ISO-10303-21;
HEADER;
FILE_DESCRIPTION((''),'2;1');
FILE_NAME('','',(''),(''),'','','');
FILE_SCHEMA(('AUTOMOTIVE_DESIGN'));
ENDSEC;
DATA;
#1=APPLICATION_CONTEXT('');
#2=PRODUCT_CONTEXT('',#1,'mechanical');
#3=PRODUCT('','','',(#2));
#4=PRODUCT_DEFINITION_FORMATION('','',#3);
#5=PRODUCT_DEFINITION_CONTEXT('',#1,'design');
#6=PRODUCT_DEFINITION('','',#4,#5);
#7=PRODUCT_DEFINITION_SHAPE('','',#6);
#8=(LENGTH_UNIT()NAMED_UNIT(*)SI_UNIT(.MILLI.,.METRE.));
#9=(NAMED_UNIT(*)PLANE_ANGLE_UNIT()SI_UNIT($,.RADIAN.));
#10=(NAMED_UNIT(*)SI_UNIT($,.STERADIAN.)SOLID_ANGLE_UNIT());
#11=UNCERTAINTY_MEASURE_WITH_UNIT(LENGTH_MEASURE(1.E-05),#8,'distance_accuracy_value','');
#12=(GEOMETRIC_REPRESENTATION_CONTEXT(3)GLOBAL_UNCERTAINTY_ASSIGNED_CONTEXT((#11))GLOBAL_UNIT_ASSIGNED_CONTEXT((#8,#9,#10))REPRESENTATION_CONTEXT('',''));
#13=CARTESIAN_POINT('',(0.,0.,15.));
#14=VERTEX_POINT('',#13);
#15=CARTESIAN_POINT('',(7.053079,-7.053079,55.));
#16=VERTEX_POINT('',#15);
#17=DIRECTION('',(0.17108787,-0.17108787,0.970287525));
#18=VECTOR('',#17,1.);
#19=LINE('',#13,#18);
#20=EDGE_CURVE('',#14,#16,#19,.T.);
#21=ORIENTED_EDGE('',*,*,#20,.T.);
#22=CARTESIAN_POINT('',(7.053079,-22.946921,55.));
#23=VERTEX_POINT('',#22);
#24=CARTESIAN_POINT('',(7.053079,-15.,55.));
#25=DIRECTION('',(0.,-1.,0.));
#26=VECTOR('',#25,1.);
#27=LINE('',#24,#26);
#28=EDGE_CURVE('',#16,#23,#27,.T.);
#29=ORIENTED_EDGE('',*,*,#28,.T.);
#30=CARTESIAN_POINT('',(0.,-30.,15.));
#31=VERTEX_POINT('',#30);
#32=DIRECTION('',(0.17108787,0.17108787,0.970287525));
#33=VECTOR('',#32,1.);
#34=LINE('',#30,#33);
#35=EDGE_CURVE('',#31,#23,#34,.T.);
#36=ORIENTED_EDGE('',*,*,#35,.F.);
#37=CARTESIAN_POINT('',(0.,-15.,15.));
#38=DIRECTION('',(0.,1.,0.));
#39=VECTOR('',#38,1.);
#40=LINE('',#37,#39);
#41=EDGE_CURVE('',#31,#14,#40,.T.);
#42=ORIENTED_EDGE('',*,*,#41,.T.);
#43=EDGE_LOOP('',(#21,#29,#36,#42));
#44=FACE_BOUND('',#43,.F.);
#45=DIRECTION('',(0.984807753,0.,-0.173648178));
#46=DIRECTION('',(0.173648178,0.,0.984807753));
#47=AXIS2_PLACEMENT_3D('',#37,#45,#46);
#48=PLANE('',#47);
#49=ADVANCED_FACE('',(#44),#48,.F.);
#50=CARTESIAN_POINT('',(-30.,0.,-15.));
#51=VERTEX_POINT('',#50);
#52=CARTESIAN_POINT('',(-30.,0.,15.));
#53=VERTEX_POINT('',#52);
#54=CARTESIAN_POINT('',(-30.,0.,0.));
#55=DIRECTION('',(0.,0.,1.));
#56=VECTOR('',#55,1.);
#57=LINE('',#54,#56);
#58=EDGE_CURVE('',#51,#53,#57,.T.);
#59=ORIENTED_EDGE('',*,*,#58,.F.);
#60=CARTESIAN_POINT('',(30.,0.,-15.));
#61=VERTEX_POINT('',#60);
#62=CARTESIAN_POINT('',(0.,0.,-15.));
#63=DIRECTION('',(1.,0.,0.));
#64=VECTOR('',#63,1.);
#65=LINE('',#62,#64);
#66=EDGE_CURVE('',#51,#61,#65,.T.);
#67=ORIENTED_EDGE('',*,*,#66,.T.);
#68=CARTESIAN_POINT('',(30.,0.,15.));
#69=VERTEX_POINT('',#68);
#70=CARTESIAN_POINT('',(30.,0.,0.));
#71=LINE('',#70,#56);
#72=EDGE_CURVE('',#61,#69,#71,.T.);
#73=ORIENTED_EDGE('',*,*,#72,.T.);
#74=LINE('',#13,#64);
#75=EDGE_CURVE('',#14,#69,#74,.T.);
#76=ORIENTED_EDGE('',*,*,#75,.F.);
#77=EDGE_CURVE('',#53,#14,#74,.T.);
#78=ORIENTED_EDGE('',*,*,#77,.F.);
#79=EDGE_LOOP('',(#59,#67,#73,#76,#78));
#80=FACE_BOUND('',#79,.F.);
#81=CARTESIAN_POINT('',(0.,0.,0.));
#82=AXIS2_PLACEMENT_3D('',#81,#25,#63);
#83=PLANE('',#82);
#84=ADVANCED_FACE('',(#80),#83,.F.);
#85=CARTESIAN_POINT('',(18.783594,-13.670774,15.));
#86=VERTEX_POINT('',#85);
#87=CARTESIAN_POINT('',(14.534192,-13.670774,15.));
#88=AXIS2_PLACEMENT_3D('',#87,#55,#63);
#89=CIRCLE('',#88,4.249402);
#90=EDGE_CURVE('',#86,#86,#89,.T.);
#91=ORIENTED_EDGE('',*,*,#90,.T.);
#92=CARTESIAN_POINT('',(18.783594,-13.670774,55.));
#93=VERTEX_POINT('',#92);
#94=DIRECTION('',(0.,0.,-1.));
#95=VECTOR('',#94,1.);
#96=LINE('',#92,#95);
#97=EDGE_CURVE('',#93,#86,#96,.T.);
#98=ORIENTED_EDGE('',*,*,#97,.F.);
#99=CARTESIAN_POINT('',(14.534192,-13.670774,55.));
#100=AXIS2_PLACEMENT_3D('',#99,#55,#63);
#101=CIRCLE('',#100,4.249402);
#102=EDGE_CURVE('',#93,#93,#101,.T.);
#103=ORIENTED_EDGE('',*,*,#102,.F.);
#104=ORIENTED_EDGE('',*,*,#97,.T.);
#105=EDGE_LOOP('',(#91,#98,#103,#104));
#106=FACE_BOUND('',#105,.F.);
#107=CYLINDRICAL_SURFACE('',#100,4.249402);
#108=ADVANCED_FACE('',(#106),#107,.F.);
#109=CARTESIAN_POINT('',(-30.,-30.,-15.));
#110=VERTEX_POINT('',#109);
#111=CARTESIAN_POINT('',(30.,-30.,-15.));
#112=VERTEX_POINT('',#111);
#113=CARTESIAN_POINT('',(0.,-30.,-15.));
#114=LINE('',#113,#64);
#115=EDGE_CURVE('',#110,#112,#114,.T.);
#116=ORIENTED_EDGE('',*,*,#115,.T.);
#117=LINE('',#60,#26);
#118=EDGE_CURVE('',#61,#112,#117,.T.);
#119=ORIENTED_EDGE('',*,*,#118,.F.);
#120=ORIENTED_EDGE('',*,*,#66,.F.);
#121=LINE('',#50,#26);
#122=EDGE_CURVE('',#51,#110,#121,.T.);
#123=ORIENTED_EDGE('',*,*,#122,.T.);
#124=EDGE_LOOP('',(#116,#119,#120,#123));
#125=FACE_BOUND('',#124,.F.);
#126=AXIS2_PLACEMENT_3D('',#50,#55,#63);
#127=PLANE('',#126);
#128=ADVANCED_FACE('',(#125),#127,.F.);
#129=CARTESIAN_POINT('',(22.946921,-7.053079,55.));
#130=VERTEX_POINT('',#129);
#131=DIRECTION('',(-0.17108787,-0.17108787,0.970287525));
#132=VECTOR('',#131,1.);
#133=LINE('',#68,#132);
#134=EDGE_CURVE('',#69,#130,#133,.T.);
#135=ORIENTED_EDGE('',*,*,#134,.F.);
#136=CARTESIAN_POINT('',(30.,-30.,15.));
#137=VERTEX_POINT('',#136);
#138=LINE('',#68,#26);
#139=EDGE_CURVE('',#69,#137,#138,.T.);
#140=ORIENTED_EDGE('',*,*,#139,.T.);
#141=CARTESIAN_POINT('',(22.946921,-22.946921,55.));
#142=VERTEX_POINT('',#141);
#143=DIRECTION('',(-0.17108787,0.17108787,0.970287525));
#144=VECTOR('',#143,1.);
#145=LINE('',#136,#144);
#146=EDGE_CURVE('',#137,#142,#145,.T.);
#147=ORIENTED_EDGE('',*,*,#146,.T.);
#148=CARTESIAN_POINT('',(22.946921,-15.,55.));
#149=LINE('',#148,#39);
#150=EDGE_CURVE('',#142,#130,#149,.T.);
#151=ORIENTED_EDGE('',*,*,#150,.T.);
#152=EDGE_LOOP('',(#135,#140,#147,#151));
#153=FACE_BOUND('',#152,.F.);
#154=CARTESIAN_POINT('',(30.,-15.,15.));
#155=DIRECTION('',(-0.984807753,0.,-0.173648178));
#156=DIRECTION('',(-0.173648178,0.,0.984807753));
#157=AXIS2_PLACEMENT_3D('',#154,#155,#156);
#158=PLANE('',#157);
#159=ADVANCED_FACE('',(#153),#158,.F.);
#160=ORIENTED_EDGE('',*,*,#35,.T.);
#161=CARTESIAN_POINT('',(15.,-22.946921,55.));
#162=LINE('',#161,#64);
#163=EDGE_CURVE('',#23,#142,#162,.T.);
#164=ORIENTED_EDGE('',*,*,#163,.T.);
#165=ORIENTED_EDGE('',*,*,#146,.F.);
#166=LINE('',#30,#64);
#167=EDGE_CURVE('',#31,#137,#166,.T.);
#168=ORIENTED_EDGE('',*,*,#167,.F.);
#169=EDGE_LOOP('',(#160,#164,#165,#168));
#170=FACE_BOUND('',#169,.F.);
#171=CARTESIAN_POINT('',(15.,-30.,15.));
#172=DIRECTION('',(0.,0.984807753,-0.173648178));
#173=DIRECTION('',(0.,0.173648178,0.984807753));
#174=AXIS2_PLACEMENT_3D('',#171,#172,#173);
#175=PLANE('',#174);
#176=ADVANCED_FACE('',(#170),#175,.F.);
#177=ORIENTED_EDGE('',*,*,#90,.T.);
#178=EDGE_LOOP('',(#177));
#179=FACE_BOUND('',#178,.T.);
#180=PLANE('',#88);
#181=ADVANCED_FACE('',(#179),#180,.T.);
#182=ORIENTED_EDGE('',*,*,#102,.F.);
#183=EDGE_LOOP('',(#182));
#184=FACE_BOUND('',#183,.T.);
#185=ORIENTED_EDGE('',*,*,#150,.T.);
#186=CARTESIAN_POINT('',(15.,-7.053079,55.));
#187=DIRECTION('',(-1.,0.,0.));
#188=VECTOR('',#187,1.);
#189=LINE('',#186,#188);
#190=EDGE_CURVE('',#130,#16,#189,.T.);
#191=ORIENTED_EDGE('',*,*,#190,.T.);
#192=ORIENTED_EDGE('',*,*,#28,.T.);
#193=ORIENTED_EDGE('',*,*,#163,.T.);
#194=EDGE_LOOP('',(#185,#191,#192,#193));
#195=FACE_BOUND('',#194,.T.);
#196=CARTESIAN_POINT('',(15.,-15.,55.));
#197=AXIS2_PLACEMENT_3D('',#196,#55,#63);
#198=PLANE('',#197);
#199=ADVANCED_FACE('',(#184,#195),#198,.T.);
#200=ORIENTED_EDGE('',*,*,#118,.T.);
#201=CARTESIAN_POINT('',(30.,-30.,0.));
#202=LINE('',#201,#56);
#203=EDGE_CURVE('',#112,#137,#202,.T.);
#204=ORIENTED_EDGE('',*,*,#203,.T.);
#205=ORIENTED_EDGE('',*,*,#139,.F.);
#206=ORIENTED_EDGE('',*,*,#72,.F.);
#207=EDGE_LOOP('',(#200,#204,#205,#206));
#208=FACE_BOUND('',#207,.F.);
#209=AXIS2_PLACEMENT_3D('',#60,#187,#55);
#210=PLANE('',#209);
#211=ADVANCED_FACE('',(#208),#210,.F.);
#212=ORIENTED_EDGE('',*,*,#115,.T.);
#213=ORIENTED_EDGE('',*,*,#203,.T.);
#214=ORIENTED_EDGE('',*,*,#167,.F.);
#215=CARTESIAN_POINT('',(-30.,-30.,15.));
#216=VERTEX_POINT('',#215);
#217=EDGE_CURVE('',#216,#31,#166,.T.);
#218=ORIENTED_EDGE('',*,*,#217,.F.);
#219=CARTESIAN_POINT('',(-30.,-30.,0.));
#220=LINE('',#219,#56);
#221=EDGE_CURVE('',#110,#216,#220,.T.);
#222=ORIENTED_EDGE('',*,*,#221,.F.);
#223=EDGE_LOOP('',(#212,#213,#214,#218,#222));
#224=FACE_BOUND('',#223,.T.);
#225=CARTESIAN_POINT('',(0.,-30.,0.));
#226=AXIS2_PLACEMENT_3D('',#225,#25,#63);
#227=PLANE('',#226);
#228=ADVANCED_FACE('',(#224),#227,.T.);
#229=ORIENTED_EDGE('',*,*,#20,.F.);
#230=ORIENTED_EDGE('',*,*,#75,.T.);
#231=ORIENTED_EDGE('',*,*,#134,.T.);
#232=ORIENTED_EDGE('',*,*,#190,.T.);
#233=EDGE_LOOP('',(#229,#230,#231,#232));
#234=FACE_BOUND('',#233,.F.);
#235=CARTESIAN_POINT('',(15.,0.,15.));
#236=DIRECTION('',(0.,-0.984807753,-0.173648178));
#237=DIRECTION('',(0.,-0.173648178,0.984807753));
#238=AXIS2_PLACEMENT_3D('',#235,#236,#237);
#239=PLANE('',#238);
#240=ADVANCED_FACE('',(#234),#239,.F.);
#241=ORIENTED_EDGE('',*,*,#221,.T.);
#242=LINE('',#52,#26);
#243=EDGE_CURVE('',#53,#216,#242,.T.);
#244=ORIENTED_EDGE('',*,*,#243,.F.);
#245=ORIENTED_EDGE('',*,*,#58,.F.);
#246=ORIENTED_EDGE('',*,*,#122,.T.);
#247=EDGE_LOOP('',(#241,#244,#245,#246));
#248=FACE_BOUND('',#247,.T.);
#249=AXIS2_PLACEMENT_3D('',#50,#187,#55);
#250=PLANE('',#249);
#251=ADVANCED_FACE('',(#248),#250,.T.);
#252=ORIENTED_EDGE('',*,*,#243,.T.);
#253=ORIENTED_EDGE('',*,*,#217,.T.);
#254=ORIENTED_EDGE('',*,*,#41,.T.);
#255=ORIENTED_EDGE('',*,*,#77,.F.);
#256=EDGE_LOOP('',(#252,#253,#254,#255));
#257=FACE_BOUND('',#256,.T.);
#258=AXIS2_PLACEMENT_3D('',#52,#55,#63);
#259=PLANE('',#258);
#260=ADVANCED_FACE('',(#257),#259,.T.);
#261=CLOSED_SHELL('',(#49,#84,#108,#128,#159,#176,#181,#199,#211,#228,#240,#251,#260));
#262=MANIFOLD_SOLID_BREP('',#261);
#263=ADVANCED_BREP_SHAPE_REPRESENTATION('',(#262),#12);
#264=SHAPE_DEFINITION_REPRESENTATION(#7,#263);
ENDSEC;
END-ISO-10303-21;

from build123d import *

# Parameters (mm, degrees)
F0_W     = 60
F0_H     = 30
F1_DEPTH = 30
F2_W     = 30
F2_H     = 30
F3_DEPTH = 40
F3_TAPER = 10
F4_R     = 4.2494021433
F5_DEPTH = 40


with BuildPart() as f1:
    # F0 (on Front) → F1 (new body)
    with BuildSketch(Plane.XZ):
        Rectangle(F0_W, F0_H)
    extrude(amount=F1_DEPTH)

    # F2 (on face) → F3 (join)
    with BuildSketch(Plane.XY.offset(15)):
        with Locations((15, -15)):
            Rectangle(F2_W, F2_H)
    extrude(amount=F3_DEPTH, taper=F3_TAPER)

    # F4 (on face) → F5 (cut)
    with BuildSketch(Plane.XY.offset(55)):
        with Locations((14.5341921598, -13.6707741767)):
            Circle(F4_R)
    extrude(amount=-F5_DEPTH, mode=Mode.SUBTRACT)


solid = f1.part
